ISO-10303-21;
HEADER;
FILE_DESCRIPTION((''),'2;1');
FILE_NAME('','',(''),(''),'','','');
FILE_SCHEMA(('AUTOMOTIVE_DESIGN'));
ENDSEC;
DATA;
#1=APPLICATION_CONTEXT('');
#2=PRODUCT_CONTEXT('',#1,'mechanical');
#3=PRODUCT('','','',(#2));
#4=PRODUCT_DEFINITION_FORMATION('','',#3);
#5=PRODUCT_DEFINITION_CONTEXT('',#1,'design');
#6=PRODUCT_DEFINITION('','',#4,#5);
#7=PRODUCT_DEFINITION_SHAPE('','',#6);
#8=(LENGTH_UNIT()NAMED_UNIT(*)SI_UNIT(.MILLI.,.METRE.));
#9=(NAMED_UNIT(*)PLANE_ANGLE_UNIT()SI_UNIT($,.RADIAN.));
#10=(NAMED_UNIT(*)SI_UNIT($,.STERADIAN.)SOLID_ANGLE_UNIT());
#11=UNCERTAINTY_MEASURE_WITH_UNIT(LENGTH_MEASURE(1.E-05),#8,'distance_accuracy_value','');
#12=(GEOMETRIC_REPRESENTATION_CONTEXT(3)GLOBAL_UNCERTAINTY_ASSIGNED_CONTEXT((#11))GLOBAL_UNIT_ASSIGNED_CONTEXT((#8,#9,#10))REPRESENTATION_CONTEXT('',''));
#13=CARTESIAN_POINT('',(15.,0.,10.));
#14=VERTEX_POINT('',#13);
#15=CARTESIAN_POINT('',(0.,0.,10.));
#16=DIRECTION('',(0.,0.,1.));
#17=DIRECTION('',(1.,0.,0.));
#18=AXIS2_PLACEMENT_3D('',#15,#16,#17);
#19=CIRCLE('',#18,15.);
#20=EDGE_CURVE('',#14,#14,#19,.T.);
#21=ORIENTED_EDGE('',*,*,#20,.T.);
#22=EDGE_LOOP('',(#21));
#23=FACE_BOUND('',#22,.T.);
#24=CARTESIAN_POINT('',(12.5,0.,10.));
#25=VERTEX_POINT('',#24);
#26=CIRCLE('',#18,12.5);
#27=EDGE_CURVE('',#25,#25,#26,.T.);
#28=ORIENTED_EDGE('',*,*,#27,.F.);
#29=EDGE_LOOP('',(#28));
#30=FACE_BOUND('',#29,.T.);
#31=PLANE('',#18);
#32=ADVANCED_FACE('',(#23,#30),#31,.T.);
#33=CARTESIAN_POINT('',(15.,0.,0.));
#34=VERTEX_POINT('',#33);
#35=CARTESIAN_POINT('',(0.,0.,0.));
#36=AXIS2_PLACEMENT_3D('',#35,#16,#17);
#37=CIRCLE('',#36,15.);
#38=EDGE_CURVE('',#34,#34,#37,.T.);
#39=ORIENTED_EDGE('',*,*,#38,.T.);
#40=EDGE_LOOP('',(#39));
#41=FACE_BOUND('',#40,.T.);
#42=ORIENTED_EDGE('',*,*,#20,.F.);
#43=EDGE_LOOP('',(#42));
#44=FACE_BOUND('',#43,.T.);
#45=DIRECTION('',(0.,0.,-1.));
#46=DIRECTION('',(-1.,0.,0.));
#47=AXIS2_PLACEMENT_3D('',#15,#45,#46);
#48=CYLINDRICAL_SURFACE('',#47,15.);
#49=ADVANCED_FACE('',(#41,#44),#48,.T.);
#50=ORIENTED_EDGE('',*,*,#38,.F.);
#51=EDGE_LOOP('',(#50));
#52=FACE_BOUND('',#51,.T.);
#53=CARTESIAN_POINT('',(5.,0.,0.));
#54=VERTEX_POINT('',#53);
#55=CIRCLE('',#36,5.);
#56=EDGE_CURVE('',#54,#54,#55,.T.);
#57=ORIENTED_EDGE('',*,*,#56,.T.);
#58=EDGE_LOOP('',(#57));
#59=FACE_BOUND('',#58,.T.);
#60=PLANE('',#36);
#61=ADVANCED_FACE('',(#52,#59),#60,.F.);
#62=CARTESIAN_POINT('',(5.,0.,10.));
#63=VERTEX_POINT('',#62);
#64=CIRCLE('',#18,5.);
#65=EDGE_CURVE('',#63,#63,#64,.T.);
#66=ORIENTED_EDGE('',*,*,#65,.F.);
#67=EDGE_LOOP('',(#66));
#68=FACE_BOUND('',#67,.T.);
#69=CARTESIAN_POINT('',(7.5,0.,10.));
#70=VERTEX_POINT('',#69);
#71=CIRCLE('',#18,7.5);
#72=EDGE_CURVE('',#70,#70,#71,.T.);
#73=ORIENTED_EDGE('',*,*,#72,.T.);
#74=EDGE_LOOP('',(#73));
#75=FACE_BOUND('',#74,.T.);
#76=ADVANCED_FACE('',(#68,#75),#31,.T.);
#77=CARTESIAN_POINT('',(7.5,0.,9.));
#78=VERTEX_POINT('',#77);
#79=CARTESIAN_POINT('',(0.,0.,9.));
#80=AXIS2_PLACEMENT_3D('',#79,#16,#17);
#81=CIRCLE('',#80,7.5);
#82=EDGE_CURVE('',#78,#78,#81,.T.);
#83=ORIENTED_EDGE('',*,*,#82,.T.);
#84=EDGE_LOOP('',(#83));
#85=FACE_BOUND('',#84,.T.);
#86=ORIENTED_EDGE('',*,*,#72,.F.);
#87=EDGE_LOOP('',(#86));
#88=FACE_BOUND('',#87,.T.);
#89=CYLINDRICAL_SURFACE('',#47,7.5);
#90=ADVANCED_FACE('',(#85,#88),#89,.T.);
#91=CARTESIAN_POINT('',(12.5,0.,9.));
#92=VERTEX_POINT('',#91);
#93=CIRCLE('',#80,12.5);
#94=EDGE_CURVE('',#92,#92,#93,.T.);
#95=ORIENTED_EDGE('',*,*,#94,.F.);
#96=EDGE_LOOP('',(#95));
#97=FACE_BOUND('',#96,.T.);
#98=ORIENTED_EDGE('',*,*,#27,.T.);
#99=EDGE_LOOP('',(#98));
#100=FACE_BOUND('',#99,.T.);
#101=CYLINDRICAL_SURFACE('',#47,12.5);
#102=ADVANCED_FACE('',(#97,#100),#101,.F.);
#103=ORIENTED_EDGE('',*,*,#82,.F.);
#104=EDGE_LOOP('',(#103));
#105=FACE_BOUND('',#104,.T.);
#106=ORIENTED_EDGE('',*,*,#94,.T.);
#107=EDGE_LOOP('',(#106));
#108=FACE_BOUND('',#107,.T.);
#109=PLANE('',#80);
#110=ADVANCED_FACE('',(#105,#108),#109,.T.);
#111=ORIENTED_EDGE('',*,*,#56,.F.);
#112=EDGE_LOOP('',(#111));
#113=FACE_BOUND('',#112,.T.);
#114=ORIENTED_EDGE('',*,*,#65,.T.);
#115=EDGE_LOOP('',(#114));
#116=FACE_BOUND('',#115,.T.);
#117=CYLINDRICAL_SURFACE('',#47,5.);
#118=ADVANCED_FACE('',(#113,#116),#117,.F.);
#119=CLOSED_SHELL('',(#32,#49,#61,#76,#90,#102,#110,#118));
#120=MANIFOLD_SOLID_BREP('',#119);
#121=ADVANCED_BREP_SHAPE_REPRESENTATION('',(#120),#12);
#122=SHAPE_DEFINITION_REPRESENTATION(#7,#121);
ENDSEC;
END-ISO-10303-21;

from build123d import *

# Parameters (mm, degrees)
SKETCH2_R             = 7.5
SKETCH2_R_2           = 5
BOSS_EXTRUDE1_DEPTH   = 10
SKETCH2_R_3           = 15
SKETCH2_R_4           = 12.5
BOSS_EXTRUDE1_2_DEPTH = 10
SKETCH2_3_R           = 12.5
SKETCH2_3_R_2         = 7.5
BOSS_EXTRUDE2_DEPTH   = 9


with BuildPart() as part:
    # Sketch2 → Boss-Extrude1 (new body)
    with BuildSketch(Plane.XY):
        Circle(SKETCH2_R)
        Circle(SKETCH2_R_2, mode=Mode.SUBTRACT)
    extrude(amount=BOSS_EXTRUDE1_DEPTH)



with BuildPart() as body_2:
    # Sketch2 → Boss-Extrude1 2 (new body)
    with BuildSketch(Plane.XY):
        Circle(SKETCH2_R_3)
        Circle(SKETCH2_R_4, mode=Mode.SUBTRACT)
    extrude(amount=BOSS_EXTRUDE1_2_DEPTH)


with BuildPart() as part_1:
    add(part.part)

    add(body_2.part)  # Boss-Extrude2 merges body 2
    # Sketch2<3> → Boss-Extrude2 (add)
    with BuildSketch(Plane.XY):
        Circle(SKETCH2_3_R)
        Circle(SKETCH2_3_R_2, mode=Mode.SUBTRACT)
    extrude(amount=BOSS_EXTRUDE2_DEPTH)


solid = part_1.part
